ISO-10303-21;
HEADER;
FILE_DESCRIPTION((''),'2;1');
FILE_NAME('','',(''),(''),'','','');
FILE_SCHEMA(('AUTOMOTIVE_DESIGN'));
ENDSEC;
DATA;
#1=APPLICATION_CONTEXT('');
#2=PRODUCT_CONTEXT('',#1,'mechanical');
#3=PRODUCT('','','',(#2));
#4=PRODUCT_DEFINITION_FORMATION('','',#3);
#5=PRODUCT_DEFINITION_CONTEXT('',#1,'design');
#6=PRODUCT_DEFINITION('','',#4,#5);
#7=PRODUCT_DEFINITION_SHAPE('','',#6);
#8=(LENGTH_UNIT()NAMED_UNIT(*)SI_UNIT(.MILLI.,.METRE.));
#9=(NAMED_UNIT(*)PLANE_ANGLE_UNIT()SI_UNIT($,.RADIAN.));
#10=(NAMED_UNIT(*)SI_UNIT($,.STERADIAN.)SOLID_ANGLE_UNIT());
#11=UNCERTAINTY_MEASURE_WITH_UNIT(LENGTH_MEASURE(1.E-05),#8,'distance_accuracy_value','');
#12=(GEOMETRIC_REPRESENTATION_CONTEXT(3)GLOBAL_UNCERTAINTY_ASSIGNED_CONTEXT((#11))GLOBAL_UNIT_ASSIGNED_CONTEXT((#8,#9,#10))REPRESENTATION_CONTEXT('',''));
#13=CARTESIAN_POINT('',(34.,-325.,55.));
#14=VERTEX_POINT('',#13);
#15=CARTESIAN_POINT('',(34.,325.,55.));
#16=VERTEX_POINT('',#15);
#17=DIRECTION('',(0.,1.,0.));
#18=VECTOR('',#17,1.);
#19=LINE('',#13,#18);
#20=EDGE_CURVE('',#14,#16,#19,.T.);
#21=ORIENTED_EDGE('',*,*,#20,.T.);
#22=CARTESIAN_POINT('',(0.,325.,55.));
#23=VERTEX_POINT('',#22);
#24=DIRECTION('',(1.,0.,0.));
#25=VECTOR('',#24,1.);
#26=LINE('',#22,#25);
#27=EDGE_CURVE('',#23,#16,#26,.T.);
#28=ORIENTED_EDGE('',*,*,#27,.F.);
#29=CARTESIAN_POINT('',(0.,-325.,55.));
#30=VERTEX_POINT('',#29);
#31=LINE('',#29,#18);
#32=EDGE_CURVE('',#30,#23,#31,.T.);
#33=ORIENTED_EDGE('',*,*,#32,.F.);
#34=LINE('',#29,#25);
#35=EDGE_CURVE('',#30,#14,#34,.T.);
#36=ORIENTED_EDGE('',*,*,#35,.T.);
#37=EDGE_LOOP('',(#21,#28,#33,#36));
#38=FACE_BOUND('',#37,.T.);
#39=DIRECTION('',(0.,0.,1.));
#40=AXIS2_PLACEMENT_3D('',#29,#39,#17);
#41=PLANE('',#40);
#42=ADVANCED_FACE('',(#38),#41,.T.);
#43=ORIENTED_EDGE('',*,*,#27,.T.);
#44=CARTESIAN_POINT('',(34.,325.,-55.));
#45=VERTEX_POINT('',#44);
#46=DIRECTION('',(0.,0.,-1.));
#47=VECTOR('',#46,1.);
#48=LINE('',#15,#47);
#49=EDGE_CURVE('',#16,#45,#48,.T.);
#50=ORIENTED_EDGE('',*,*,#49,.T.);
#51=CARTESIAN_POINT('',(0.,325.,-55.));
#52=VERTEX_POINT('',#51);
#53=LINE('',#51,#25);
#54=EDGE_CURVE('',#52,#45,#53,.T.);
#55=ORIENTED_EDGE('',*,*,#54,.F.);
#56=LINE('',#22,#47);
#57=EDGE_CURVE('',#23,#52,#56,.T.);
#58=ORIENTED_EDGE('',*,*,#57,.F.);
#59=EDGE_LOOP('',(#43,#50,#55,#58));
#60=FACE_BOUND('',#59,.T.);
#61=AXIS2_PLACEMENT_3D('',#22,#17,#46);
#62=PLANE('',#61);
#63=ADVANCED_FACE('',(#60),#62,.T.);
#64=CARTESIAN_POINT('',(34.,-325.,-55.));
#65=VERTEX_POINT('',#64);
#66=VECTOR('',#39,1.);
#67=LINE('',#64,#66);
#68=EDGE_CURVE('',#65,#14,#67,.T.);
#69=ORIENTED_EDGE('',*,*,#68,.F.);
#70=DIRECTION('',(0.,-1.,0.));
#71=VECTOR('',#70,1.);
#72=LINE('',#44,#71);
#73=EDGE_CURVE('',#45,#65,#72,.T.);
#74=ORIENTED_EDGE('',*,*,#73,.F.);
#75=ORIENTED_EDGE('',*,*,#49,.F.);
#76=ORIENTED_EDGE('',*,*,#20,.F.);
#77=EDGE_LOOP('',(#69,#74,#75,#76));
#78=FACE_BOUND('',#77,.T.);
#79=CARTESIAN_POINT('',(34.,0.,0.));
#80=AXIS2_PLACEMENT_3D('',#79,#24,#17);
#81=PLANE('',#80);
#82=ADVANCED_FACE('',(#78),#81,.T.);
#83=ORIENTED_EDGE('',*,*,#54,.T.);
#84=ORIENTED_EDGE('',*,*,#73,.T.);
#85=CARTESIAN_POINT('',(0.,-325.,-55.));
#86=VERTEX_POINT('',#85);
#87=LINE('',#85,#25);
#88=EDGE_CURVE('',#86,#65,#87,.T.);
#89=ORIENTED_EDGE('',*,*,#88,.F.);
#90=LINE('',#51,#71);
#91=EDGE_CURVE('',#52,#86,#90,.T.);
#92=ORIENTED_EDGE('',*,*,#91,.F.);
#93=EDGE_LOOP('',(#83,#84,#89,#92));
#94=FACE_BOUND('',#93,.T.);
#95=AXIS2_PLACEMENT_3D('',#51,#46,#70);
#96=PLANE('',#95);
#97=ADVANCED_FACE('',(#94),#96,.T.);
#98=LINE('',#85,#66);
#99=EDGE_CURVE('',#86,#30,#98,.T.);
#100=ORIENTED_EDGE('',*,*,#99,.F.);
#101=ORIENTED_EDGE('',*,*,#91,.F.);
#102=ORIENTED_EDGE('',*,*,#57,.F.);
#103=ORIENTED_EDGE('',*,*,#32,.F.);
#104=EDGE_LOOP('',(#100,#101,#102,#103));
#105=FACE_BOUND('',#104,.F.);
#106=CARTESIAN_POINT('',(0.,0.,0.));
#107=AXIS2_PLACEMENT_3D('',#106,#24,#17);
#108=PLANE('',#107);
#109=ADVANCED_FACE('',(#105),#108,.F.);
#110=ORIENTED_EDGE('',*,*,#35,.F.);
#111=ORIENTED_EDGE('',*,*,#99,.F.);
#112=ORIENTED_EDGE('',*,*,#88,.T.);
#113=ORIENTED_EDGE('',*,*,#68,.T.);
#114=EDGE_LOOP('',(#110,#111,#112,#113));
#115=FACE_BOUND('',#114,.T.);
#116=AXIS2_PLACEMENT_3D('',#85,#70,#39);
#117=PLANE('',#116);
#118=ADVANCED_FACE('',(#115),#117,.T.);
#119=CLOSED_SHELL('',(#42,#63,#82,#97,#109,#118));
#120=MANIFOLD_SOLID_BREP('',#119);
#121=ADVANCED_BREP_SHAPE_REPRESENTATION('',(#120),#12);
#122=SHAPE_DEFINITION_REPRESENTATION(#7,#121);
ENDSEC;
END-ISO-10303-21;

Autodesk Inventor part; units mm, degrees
ref_plane "YZ Plane" through (0, 0, 0) normal (1, 0, 0) x (0, 1, 0)
ref_plane "XZ Plane" through (0, 0, 0) normal (0, 1, 0) x (-1, 0, 0)
ref_plane "XY Plane" through (0, 0, 0) normal (0, 0, 1) x (1, 0, 0)
sketch "Sketch1" plane through (0, 0, 0) normal (1, 0, 0) x (0, 1, 0)
  line L0 (-325, 55) -> (325, 55)
  line L1 (325, 55) -> (325, -55)
  line L2 (325, -55) -> (-325, -55)
  line L3 (-325, -55) -> (-325, 55)
  line L4 (-325, 55) -> (325, -55) construction
  line L5 (325, 55) -> (-325, -55) construction
  point P0 (0, 0)
  dimension "d0" = 650
  dimension "d1" = 110
extrude "Extrusion1" add sketch "Sketch1" along normal blind 34
properties part number "UprightStand_Front"
